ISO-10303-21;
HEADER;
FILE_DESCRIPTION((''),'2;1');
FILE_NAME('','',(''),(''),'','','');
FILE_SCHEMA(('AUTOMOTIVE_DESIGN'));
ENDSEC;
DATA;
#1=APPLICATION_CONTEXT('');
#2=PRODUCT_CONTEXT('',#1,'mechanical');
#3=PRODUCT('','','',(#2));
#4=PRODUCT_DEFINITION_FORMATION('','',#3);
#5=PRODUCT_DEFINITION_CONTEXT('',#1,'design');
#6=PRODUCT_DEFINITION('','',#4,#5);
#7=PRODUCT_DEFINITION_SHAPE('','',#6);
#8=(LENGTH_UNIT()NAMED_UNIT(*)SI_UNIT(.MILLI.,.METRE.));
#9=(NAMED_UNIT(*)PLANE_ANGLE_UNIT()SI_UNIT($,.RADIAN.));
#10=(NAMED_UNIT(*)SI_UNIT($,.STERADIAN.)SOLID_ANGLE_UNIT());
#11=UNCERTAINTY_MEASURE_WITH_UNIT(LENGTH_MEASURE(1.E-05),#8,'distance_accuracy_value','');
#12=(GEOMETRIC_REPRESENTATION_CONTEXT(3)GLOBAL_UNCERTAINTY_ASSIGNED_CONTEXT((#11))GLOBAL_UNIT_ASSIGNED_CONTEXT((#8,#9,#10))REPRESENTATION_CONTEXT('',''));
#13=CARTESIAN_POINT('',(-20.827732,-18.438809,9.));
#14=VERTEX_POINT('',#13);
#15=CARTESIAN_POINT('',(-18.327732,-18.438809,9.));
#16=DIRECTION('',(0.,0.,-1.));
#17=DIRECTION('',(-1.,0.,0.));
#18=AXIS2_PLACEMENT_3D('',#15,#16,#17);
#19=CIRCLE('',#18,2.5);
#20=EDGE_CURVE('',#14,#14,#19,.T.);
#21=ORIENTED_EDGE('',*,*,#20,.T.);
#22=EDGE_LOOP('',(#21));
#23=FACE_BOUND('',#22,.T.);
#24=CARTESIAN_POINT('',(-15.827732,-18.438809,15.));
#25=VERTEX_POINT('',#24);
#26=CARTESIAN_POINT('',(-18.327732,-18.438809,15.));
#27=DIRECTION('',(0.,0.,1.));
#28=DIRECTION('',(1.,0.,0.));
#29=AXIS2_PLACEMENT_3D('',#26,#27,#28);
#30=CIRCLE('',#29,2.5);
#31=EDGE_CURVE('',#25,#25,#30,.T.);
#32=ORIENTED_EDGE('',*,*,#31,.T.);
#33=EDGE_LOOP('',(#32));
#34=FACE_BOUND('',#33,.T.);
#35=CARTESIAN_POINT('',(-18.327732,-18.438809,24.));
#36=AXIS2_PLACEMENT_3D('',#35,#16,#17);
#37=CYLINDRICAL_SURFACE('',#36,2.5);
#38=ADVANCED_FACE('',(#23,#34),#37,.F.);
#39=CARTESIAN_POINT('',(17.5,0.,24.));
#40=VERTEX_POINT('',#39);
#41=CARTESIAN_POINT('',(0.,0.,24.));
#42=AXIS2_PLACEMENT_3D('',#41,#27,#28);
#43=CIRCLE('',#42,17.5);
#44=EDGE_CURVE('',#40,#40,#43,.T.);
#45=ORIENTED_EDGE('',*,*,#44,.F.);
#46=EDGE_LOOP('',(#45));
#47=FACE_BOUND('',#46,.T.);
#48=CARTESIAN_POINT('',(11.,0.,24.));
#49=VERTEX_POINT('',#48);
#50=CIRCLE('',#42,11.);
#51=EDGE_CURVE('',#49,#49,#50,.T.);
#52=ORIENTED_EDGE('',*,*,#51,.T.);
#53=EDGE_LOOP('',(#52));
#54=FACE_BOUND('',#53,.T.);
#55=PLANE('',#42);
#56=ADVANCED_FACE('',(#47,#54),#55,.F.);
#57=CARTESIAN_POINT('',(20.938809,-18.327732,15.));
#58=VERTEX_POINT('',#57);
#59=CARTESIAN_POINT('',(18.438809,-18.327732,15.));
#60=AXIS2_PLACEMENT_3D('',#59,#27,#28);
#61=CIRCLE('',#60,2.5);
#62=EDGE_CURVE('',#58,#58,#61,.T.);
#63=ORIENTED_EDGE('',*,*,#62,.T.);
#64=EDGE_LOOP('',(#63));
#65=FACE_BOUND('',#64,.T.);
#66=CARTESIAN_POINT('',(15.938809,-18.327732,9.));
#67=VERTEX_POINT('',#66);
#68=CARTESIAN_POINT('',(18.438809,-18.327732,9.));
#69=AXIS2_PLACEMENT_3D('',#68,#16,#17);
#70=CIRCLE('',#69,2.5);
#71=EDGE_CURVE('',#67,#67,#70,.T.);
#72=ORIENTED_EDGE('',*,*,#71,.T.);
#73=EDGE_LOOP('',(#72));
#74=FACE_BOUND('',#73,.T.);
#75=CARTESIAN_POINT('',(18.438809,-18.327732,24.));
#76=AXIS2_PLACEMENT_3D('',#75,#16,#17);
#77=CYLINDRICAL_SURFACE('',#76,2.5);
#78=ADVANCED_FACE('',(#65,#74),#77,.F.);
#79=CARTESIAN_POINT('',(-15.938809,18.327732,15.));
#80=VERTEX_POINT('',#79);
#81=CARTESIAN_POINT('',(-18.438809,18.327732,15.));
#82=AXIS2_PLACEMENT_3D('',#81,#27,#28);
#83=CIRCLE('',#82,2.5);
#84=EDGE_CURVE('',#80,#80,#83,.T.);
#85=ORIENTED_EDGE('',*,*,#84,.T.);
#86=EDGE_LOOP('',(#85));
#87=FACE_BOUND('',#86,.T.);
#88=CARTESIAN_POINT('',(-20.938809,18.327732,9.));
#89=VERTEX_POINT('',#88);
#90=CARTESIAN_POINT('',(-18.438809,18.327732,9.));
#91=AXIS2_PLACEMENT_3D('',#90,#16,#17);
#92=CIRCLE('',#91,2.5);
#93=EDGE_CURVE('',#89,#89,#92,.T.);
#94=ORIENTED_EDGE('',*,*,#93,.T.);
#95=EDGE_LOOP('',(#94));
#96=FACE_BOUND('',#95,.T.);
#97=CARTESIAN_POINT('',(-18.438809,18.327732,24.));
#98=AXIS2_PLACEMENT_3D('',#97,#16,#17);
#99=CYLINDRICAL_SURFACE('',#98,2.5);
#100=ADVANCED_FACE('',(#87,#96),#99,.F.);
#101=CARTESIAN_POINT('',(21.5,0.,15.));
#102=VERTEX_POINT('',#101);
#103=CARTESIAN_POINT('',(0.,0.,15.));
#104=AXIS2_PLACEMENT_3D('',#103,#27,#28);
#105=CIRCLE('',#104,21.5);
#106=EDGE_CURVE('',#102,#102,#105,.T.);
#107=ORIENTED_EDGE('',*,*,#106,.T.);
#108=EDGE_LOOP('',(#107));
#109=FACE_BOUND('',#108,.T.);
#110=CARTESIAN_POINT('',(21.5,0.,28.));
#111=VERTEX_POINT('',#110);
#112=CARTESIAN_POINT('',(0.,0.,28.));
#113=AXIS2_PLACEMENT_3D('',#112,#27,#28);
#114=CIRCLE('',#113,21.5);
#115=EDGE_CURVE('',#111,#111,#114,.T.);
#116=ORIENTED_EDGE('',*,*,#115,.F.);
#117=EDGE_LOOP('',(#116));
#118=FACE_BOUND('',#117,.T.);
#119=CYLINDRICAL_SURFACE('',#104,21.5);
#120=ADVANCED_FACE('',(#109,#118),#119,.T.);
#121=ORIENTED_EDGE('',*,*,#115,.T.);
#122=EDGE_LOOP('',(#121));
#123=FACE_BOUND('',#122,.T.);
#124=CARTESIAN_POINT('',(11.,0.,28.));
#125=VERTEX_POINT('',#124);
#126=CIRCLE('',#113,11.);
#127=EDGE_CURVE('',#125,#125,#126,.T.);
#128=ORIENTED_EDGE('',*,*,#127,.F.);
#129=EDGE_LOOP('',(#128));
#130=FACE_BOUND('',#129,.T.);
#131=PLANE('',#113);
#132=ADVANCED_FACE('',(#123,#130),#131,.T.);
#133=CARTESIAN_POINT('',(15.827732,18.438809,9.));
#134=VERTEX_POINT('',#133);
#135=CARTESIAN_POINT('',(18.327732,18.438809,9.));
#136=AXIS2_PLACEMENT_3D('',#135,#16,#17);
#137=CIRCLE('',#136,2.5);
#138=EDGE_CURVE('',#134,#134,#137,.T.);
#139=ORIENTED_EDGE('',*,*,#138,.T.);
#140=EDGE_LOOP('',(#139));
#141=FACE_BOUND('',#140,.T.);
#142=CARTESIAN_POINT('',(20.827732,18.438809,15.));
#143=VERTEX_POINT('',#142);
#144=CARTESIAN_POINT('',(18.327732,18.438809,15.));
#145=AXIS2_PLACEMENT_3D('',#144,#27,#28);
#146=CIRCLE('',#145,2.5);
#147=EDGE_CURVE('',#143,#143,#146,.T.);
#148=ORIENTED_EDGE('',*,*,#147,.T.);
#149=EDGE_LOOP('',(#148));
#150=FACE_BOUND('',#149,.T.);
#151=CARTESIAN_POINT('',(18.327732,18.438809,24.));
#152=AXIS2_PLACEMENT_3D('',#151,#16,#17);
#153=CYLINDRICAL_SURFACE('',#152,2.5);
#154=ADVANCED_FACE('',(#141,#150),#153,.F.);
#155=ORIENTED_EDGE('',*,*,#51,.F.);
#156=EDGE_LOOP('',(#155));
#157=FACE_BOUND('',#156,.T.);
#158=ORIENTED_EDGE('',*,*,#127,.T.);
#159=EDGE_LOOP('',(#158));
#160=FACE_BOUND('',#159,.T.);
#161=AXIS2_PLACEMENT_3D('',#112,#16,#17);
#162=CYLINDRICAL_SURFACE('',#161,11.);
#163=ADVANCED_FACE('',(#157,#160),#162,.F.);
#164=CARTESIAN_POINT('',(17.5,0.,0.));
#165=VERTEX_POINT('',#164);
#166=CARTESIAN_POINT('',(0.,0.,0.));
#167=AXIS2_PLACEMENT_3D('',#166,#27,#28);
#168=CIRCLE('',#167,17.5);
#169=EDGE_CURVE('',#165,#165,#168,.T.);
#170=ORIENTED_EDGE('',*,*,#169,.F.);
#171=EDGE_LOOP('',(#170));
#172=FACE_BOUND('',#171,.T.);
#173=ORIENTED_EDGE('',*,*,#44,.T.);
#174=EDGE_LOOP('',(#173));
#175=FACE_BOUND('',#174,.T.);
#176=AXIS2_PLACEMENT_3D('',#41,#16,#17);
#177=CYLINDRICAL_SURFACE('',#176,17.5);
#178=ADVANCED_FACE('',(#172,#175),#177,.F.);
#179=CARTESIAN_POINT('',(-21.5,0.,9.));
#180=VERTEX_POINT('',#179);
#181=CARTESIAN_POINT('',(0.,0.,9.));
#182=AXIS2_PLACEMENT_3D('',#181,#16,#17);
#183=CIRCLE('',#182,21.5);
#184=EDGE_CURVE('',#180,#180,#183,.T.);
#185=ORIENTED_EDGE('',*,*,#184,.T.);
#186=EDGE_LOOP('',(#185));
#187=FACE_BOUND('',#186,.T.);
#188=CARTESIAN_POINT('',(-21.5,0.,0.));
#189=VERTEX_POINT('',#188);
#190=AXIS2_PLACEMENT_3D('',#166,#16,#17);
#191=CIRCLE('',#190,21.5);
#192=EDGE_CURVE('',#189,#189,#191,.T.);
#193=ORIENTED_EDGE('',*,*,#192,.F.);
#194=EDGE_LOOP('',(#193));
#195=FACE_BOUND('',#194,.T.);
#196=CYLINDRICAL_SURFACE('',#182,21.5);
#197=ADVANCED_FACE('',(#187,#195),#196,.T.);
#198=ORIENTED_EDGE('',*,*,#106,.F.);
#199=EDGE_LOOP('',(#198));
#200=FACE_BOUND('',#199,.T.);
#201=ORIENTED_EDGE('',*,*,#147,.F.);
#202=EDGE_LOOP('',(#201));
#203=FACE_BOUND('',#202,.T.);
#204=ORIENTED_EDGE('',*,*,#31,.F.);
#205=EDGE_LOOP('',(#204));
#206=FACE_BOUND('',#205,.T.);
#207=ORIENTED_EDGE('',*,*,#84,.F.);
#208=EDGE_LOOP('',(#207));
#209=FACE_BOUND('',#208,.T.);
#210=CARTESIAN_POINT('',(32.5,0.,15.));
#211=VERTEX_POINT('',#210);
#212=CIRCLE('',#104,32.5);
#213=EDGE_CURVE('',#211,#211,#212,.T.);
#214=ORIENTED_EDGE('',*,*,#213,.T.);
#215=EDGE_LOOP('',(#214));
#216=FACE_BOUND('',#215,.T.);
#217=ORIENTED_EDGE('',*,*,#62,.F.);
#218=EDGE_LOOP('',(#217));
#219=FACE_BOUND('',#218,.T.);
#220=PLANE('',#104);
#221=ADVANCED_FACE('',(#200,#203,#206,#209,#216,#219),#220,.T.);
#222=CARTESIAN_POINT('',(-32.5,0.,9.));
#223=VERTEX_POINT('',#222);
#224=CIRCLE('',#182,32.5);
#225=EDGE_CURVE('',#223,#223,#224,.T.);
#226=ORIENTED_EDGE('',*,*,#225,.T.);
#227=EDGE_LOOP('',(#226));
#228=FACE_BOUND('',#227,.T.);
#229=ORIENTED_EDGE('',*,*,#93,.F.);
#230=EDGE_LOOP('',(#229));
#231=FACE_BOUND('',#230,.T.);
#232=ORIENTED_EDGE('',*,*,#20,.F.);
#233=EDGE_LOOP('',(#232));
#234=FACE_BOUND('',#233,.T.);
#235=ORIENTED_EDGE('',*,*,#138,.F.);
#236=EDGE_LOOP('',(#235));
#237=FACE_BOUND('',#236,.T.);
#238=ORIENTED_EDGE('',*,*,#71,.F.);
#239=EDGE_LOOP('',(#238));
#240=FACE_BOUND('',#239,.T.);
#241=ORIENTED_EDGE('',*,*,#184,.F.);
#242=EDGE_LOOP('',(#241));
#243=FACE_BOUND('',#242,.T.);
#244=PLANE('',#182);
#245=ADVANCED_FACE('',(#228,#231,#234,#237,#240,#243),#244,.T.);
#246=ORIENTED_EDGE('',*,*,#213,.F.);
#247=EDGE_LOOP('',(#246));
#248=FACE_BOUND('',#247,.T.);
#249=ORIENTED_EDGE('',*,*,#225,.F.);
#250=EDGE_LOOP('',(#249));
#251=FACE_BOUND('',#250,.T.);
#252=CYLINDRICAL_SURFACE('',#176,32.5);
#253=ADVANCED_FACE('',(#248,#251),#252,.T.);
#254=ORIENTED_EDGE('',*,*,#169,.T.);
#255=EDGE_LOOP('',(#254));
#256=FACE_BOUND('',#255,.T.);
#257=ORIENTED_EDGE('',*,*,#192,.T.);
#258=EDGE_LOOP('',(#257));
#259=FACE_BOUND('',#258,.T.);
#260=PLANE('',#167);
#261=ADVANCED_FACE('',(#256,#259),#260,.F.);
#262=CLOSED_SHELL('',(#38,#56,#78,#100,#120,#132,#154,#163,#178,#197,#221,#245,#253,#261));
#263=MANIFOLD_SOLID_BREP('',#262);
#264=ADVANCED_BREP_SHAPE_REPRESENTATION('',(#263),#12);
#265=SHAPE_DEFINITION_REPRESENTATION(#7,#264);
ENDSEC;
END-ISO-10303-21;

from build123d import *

# Parameters (mm, degrees)
SKETCH_1_R          = 32.5
SKETCH_1_R_2        = 17.5
SKETCH_1_R_3        = 2.5
EXTRUDE_1_DEPTH     = 24
SKETCH_2_R          = 35
SKETCH_2_R_2        = 21.5
CUT_EXTRUDE_2_DEPTH = 9
CUT_EXTRUDE_START   = -9
SKETCH_3_R          = 35
SKETCH_3_R_2        = 21.5
CUT_EXTRUDE_3_DEPTH = 9
EXTRUDE_START       = 4
SKETCH_4_R          = 21.5
SKETCH_4_R_2        = 11
EXTRUDE_4_DEPTH     = 4


with BuildPart() as part:
    # Эскиз1 → Вытянуть1 (new body)
    with BuildSketch(Plane.XY):
        Circle(SKETCH_1_R)
        Circle(SKETCH_1_R_2, mode=Mode.SUBTRACT)
        with Locations((-18.438809137, 18.327731563)):
            Circle(SKETCH_1_R_3, mode=Mode.SUBTRACT)
        with Locations((18.327731563, 18.438809137)):
            Circle(SKETCH_1_R_3, mode=Mode.SUBTRACT)
        with Locations((18.438809137, -18.327731563)):
            Circle(SKETCH_1_R_3, mode=Mode.SUBTRACT)
        with Locations((-18.327731563, -18.438809137)):
            Circle(SKETCH_1_R_3, mode=Mode.SUBTRACT)
    extrude(amount=EXTRUDE_1_DEPTH)

    # Эскиз2 → Вытянуть2 (cut)
    with BuildSketch(Plane.XY.offset(24)):
        Circle(SKETCH_2_R)
        Circle(SKETCH_2_R_2, mode=Mode.SUBTRACT)
    extrude(amount=-CUT_EXTRUDE_2_DEPTH, mode=Mode.SUBTRACT)

    # Эскиз3 → Вытянуть3 (cut)
    with BuildSketch(Plane(origin=(0, 0, 0), x_dir=(-1, 0, 0), z_dir=(0, 0, -1)).offset(CUT_EXTRUDE_START)):
        Circle(SKETCH_3_R)
        with Locations(Location((0, 0, 0), (0, 0, 180))):
            Circle(SKETCH_3_R_2, mode=Mode.SUBTRACT)
    extrude(amount=CUT_EXTRUDE_3_DEPTH, mode=Mode.SUBTRACT)

    # Эскиз4 → Вытянуть4 (add)
    with BuildSketch(Plane.XY.offset(24).offset(EXTRUDE_START)):
        Circle(SKETCH_4_R)
        Circle(SKETCH_4_R_2, mode=Mode.SUBTRACT)
    extrude(amount=-EXTRUDE_4_DEPTH)


solid = part.part
